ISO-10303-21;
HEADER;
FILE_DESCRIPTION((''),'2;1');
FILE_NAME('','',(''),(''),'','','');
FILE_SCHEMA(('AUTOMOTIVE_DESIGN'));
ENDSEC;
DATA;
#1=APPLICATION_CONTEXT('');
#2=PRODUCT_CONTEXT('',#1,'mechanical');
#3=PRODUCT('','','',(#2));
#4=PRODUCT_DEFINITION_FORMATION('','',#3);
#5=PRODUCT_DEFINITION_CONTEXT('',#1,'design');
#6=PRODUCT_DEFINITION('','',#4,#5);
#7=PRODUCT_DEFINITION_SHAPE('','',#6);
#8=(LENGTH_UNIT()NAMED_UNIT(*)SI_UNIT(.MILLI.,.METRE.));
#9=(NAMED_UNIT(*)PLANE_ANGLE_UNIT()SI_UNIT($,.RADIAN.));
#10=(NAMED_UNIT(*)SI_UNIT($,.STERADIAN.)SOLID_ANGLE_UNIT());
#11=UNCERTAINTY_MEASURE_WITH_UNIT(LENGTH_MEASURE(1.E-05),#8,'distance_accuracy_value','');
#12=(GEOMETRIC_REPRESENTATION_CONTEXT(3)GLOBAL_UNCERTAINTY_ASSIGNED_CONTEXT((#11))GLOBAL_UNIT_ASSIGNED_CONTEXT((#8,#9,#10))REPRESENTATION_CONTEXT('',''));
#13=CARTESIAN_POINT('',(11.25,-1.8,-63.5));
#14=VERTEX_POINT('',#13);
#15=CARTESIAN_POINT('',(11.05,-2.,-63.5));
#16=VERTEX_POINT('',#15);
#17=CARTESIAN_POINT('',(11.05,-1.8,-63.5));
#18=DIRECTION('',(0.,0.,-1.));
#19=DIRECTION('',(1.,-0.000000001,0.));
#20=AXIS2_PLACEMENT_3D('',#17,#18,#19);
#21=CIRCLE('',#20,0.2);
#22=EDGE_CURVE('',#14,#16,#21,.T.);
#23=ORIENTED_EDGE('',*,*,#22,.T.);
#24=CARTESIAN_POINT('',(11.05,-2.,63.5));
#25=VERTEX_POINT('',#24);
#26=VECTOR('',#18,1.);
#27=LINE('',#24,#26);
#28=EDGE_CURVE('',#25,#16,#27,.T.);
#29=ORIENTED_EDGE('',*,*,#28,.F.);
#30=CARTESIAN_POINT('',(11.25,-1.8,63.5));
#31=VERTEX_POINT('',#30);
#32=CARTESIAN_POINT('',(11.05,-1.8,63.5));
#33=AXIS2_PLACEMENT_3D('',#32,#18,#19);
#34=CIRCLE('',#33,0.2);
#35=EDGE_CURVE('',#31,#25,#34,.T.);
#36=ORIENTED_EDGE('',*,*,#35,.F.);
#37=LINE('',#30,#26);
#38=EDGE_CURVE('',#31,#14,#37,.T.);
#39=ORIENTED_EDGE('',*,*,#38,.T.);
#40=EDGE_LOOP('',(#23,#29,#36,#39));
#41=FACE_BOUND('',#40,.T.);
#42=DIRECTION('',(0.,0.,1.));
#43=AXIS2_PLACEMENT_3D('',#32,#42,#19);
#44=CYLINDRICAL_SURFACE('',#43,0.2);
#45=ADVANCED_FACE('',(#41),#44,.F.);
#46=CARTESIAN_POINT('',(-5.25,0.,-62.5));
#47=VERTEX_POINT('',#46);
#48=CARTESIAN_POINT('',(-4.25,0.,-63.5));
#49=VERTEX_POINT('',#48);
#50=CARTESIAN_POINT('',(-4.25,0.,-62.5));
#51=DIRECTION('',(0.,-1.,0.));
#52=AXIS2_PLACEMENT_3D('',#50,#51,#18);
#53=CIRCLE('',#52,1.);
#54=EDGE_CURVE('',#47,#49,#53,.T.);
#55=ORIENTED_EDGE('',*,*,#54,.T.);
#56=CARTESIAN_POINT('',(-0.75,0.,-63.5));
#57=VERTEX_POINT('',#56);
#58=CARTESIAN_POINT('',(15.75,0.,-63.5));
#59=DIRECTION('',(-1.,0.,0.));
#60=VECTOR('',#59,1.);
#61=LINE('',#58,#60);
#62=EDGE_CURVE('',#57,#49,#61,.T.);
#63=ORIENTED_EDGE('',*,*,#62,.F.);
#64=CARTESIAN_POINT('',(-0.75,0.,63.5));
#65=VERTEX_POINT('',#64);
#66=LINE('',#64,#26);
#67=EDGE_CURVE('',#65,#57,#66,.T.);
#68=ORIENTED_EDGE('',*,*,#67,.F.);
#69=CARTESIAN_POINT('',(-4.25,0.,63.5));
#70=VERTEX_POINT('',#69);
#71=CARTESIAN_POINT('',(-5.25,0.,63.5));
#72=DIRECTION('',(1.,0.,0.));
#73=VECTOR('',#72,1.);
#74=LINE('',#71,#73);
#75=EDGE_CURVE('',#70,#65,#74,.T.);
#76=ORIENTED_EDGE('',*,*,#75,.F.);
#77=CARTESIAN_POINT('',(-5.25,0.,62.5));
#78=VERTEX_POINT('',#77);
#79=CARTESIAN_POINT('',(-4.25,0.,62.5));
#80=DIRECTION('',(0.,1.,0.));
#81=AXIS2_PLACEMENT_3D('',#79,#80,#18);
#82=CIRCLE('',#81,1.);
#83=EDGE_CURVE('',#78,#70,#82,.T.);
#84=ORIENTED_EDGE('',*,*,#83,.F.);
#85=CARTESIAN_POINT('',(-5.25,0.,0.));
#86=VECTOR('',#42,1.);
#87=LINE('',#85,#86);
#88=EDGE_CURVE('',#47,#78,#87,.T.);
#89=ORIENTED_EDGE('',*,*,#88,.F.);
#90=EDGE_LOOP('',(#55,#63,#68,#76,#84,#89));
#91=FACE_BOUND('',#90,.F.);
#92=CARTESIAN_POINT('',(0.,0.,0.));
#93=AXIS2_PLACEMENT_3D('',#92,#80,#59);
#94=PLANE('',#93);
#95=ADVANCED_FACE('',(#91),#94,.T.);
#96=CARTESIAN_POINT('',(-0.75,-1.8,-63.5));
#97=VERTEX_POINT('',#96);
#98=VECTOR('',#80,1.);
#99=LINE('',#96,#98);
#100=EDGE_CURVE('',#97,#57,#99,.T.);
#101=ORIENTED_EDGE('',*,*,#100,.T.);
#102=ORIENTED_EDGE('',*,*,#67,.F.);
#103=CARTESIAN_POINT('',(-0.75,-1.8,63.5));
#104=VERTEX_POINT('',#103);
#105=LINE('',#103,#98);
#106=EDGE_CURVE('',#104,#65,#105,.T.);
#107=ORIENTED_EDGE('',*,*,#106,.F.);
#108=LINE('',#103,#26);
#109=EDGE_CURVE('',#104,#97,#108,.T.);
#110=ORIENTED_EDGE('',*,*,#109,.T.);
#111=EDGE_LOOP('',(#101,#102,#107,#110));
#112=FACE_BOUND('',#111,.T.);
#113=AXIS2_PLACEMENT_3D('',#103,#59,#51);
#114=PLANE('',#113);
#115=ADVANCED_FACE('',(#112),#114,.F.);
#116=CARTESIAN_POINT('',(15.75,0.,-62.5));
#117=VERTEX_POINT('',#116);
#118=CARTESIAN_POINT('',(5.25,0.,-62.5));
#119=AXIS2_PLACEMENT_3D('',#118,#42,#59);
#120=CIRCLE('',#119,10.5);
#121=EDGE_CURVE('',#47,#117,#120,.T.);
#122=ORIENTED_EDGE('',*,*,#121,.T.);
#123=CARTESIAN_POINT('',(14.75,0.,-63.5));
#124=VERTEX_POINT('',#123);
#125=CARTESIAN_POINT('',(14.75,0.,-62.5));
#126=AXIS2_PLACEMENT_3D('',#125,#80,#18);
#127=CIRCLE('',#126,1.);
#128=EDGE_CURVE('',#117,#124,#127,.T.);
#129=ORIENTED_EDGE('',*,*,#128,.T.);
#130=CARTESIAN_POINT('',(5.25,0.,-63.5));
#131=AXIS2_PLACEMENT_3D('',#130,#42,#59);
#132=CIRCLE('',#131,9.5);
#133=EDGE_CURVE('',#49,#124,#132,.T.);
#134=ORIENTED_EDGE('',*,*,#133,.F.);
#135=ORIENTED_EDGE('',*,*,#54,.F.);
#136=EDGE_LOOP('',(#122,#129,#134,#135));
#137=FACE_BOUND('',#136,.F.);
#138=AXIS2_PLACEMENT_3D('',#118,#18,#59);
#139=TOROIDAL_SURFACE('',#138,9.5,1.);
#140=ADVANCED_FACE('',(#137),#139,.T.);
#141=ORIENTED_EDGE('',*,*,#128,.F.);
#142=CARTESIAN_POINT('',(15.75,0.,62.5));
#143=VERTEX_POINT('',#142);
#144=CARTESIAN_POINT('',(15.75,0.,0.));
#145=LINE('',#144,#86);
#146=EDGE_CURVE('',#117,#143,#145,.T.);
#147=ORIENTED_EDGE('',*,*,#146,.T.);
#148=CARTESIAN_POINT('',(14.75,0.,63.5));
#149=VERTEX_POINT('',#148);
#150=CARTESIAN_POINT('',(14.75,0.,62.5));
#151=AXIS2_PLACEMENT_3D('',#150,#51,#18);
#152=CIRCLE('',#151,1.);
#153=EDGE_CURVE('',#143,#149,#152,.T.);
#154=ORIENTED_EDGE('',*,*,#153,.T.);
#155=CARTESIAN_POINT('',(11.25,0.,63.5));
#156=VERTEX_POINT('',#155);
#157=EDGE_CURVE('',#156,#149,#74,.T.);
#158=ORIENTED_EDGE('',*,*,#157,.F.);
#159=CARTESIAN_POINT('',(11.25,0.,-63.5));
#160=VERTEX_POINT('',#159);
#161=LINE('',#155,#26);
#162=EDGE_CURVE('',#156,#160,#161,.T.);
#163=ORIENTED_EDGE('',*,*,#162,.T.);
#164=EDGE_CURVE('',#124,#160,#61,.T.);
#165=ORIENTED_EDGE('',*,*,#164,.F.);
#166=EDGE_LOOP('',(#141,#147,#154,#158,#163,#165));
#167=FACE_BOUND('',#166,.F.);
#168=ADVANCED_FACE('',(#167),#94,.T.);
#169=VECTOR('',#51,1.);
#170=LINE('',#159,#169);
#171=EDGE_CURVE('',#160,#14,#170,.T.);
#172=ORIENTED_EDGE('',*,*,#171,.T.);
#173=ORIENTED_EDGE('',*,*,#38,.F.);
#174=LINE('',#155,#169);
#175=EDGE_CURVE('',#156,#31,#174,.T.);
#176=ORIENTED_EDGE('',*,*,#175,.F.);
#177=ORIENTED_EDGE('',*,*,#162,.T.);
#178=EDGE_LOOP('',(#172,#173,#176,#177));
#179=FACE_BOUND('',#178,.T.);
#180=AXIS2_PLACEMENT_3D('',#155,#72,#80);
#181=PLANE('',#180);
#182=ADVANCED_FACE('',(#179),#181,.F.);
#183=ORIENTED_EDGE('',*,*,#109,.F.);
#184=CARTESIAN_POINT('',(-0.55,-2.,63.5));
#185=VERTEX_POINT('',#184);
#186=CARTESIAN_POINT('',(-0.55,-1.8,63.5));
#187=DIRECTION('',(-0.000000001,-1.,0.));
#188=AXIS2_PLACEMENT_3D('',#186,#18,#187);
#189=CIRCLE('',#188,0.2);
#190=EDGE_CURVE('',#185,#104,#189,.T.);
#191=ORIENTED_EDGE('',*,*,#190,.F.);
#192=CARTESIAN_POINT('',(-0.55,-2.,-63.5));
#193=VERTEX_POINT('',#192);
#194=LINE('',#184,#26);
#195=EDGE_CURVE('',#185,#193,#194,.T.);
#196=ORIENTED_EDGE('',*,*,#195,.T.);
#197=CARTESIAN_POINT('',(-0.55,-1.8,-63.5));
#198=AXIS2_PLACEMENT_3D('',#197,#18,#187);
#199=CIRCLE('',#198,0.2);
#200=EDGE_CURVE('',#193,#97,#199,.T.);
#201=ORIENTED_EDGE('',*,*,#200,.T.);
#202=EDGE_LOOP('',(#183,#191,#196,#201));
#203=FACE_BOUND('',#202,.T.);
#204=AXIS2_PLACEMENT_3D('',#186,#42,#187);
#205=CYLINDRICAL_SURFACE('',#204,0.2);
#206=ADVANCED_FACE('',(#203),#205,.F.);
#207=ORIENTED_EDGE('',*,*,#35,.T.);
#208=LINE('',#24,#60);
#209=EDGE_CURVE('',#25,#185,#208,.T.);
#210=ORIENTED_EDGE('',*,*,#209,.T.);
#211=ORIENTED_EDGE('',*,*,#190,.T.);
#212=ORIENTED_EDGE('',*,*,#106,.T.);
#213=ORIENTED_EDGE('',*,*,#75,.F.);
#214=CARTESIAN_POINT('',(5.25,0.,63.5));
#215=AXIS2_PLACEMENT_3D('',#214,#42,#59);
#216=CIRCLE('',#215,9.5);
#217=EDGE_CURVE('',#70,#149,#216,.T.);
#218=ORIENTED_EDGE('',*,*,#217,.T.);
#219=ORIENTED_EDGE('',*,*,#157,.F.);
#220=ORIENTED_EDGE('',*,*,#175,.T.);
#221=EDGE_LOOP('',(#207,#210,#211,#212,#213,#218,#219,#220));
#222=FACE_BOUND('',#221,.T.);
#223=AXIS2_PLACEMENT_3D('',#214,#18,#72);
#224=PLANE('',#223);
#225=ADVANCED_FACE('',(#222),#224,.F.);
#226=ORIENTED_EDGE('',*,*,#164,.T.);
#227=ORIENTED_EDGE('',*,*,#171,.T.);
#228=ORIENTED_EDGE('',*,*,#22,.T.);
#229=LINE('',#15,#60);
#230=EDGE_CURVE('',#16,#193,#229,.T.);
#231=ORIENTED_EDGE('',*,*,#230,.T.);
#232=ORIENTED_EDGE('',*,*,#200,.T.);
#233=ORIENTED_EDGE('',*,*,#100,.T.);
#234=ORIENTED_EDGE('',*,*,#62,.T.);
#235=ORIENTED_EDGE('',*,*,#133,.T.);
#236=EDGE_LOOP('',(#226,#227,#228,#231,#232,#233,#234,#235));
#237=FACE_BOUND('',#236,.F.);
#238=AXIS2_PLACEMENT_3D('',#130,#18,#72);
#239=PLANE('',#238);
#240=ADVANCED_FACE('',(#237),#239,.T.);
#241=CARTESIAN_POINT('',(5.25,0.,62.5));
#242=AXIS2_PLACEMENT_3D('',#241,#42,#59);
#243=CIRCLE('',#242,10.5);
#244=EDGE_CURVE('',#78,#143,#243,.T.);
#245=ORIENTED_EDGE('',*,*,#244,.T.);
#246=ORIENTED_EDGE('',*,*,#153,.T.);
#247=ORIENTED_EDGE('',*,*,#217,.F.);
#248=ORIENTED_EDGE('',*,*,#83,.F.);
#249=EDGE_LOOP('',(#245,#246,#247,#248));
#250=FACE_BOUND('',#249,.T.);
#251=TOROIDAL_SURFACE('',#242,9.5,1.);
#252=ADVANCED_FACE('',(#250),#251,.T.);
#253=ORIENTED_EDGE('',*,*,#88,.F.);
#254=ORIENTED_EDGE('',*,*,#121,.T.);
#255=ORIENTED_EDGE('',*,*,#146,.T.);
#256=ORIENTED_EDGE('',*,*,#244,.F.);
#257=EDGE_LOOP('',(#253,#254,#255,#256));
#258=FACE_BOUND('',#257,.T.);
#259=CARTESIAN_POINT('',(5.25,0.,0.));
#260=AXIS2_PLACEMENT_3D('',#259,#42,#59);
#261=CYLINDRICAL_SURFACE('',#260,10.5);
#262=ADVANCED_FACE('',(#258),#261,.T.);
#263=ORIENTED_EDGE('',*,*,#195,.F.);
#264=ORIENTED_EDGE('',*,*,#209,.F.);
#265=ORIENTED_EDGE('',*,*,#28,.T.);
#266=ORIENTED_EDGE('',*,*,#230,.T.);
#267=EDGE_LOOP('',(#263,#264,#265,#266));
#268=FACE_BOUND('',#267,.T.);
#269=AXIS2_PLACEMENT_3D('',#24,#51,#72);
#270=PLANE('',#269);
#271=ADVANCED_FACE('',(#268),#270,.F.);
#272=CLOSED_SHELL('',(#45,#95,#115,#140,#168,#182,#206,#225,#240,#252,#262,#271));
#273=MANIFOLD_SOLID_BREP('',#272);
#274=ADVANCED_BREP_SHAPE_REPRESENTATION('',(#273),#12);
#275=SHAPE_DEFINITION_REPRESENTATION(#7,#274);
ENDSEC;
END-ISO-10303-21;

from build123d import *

# Parameters (mm, degrees)
F0_W     = 10.5
F0_H     = 127
F1_ANGLE = 180
F3_DEPTH = 127
F4_R     = 1
F5_R     = 1


with BuildPart() as f1:
    # F0 (on Front) → F1 (revolve)
    with BuildSketch(Plane.XZ):
        Rectangle(F0_W, F0_H)
    revolve(axis=Axis((5.25, 0, 0), (0, 0, -1)), revolution_arc=F1_ANGLE)

    # F2 (on face) → F3 (cut)
    with BuildSketch(Plane.XY.offset(63.5)):
        with BuildLine():
            Line((-0.75, 0), (5.25, 0))
            Line((5.25, 0), (11.25, 0))
            Line((11.25, 0), (11.25, 1.8))
            ThreePointArc((11.25, 1.8), (11.1914213562, 1.9414213562), (11.05, 2))
            Line((11.05, 2), (-0.55, 2))
            ThreePointArc((-0.55, 2), (-0.6914213562, 1.9414213562), (-0.75, 1.8))
            Line((-0.75, 1.8), (-0.75, 0))
        make_face()
    extrude(amount=-F3_DEPTH, mode=Mode.SUBTRACT)

    # F4
    f4_edges = [f1.edges().sort_by_distance(p)[0] for p in [
        (5.25, 10.5, 63.5),
    ]]
    fillet(f4_edges, radius=F4_R)

    # F5
    f5_edges = [f1.edges().sort_by_distance(p)[0] for p in [
        (5.25, 10.5, -63.5),
    ]]
    fillet(f5_edges, radius=F5_R)


with BuildPart() as f6_1:
    # F6: instance of F1
    add(f1.part.mirror(Plane.XZ))


solid = f6_1.part
